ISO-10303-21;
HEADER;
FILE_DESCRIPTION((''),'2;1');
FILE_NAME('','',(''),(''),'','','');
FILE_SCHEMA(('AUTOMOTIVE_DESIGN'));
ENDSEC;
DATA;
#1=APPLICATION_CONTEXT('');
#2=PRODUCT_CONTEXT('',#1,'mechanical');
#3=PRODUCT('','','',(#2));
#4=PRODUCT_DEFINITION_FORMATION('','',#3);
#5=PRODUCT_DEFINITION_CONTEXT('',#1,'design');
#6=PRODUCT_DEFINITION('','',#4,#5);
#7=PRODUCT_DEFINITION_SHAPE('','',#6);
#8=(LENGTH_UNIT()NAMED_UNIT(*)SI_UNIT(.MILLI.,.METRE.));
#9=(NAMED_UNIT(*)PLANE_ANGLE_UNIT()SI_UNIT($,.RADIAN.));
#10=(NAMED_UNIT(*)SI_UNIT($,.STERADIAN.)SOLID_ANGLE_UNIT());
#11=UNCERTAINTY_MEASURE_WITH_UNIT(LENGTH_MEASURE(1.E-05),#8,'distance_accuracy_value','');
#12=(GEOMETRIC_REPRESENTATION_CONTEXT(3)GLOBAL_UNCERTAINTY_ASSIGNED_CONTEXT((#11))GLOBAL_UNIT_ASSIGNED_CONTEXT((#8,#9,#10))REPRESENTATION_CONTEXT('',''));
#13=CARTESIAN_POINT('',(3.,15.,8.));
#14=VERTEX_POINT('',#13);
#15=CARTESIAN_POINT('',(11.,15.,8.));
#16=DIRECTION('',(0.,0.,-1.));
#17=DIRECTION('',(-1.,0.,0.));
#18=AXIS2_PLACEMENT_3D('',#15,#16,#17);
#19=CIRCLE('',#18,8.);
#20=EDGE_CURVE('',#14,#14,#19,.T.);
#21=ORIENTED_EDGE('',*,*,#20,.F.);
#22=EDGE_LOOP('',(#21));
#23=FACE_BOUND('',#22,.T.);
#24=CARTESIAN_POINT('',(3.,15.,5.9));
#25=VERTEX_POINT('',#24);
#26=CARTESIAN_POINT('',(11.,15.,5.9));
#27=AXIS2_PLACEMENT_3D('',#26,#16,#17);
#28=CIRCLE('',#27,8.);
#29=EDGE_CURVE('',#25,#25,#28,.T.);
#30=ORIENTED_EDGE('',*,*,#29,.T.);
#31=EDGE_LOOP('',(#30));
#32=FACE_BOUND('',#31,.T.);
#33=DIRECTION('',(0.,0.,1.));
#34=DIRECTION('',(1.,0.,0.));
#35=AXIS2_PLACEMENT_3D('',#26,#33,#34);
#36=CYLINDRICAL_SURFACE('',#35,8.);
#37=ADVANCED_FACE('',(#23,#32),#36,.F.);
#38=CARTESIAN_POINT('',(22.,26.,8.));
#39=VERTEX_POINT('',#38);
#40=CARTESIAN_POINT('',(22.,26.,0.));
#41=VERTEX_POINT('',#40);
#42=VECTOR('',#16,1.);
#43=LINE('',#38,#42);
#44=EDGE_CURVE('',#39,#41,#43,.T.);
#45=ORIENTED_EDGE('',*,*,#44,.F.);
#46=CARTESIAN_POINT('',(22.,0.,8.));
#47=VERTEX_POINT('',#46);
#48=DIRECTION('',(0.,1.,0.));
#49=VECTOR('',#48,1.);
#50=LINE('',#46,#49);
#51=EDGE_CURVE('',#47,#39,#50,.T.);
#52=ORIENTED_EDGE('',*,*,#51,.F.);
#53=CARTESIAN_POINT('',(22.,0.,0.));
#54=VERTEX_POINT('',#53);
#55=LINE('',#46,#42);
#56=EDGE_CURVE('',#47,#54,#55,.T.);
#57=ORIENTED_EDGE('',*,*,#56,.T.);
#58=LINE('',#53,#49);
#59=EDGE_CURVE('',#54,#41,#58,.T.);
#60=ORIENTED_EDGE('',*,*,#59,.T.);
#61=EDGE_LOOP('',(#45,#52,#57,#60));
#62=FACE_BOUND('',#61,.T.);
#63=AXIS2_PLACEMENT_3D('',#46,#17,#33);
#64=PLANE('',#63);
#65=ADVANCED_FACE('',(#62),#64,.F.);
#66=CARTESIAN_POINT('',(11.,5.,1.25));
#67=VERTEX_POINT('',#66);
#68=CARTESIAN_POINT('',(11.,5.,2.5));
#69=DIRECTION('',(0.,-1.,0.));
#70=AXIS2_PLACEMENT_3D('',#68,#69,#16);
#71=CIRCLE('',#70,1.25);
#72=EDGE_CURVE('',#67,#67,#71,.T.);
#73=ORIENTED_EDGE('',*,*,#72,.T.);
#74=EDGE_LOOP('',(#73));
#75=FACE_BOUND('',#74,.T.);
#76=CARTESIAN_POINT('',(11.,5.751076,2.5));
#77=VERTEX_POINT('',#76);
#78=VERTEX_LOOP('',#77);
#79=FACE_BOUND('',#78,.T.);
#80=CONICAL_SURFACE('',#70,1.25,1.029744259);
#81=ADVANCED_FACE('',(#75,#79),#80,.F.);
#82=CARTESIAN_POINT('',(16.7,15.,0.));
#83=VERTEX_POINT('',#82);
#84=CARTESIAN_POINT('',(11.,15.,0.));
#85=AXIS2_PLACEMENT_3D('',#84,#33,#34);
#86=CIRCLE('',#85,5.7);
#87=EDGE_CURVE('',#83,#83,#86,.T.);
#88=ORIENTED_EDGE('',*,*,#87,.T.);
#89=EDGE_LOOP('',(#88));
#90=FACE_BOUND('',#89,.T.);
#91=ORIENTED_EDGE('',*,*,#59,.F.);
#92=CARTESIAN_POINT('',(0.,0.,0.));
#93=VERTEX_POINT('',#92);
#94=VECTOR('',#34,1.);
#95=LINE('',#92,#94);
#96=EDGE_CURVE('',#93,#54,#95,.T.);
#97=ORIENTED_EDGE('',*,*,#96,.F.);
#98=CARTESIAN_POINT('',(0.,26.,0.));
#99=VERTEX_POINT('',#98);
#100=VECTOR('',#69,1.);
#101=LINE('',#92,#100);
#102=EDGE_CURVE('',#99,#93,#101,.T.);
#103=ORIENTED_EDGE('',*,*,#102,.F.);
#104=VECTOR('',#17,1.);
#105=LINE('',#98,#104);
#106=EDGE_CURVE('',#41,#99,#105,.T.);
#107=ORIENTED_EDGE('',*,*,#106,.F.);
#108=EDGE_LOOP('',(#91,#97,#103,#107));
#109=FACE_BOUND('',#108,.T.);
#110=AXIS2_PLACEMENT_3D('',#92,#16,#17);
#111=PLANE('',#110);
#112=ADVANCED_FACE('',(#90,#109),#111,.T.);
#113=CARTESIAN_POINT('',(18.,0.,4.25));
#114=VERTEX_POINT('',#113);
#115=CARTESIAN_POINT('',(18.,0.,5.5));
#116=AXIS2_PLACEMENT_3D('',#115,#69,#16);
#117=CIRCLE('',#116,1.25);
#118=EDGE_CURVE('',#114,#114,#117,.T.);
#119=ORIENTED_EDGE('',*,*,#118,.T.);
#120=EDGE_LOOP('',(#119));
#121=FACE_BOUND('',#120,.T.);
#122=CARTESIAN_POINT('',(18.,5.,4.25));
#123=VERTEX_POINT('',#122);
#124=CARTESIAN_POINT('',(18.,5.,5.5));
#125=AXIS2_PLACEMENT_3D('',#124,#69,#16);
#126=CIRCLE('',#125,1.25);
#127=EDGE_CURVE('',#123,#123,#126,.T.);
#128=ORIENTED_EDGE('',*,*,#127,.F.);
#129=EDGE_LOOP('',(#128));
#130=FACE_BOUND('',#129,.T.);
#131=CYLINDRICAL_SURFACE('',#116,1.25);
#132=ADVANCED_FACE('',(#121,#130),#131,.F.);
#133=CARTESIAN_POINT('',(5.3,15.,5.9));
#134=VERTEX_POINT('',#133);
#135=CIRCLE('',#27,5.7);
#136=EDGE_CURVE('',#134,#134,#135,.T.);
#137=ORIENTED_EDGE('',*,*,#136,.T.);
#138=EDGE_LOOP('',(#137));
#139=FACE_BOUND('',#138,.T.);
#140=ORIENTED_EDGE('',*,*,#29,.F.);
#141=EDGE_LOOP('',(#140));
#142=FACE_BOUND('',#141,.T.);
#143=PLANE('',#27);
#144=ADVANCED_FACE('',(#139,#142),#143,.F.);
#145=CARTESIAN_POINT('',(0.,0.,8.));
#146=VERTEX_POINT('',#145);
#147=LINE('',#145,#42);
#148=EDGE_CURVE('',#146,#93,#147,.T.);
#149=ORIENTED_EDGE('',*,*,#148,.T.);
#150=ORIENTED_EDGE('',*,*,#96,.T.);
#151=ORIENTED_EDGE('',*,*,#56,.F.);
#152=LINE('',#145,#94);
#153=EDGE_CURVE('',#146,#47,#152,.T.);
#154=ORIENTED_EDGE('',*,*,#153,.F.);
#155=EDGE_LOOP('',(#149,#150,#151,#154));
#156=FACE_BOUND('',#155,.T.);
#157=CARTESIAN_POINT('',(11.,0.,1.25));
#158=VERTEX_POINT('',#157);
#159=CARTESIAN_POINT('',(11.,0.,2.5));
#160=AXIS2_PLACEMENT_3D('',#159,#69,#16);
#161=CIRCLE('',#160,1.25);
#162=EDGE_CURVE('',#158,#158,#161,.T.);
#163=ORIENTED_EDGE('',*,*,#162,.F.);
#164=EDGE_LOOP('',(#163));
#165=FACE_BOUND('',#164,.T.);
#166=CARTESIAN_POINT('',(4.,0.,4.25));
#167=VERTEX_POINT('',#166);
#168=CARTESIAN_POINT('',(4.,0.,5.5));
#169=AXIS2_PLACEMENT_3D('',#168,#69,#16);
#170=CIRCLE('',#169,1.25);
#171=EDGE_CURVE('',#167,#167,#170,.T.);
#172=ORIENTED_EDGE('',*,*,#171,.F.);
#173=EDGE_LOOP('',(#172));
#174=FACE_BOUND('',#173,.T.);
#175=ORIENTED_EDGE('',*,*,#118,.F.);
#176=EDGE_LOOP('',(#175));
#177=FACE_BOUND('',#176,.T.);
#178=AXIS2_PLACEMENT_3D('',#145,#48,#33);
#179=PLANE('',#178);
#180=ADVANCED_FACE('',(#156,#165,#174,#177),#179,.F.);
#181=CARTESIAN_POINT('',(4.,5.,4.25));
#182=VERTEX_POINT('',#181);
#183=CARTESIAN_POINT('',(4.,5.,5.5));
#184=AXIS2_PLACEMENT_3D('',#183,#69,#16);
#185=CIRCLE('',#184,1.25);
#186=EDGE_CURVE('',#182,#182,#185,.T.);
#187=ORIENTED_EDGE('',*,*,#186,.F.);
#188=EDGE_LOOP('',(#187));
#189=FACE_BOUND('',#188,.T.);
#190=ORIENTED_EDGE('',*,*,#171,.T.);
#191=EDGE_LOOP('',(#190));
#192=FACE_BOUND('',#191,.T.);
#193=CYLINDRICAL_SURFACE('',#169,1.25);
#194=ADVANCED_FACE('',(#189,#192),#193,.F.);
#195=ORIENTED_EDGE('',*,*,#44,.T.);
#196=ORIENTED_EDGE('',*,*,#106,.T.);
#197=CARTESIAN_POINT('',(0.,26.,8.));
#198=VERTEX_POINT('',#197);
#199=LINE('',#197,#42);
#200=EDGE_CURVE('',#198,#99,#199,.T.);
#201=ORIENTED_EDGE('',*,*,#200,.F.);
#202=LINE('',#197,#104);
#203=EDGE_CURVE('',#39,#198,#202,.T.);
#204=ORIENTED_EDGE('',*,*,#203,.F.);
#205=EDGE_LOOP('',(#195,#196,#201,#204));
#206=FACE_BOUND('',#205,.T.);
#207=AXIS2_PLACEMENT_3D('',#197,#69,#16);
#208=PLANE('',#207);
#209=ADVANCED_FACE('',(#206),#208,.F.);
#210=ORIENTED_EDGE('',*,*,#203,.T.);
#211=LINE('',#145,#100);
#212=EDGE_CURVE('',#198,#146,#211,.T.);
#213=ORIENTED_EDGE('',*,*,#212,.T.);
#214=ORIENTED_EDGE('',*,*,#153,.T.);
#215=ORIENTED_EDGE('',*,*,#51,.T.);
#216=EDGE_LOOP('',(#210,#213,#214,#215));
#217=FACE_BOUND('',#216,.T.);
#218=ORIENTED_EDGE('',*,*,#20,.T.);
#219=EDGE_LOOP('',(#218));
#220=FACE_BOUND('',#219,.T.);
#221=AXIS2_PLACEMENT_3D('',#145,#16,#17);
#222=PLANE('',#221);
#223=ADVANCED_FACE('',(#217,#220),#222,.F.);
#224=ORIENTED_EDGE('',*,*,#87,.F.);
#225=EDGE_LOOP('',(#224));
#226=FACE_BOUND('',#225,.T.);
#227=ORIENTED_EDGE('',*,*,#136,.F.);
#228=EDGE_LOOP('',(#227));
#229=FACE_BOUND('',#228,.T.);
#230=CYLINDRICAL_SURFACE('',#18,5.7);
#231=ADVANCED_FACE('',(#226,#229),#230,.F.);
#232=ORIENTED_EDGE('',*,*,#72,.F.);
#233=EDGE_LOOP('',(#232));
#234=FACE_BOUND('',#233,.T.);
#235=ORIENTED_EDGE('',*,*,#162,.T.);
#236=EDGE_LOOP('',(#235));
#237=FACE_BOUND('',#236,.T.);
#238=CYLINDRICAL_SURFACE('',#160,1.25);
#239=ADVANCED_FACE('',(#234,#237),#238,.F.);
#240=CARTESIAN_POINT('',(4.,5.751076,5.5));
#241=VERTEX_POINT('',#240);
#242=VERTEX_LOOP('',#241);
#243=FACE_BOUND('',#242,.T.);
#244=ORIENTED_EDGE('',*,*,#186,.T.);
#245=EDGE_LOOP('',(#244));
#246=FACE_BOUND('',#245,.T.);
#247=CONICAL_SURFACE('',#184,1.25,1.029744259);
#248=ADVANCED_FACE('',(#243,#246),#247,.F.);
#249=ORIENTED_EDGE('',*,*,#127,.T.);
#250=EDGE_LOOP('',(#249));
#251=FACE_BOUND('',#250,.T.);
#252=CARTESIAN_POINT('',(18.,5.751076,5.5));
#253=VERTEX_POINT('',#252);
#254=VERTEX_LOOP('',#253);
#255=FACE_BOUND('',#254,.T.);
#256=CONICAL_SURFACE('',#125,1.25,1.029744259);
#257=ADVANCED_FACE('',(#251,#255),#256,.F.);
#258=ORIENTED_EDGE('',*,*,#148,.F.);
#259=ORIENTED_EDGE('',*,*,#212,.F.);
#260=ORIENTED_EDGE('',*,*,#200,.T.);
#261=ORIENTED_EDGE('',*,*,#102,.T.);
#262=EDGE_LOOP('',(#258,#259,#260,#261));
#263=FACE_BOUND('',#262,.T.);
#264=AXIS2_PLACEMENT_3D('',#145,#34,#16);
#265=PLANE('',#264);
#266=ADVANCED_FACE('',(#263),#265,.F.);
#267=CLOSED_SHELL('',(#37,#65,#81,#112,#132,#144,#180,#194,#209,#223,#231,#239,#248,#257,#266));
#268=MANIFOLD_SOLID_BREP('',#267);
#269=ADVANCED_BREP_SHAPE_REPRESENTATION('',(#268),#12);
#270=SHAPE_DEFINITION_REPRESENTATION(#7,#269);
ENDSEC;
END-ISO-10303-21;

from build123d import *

# Parameters (mm, degrees)
SKETCH1_W                       = 22
SKETCH1_H                       = 26
SKETCH1_R                       = 5.7
BOSS_EXTRUDE1_DEPTH             = 8
SKETCH3_R                       = 8
CUT_EXTRUDE2_DEPTH              = 2.1
TAP_DRILL_FOR_M3X0_5_TAP1_D     = 2.5
TAP_DRILL_FOR_M3X0_5_TAP1_DEPTH = 5
TAP_DRILL_FOR_M3X0_5_TAP1_TIP   = 0.751075774


with BuildPart() as part:
    # Sketch1 → Boss-Extrude1 (new body)
    with BuildSketch(Plane.XY):
        with Locations((11, 13)):
            Rectangle(SKETCH1_W, SKETCH1_H)
        with Locations((11, 15)):
            Circle(SKETCH1_R, mode=Mode.SUBTRACT)
    extrude(amount=BOSS_EXTRUDE1_DEPTH)

    # Sketch3 → Cut-Extrude2 (cut)
    with BuildSketch(Plane(origin=(0, 0, 8), x_dir=(-1, 0, 0), z_dir=(0, 0, -1))):
        with Locations((-11, 15)):
            Circle(SKETCH3_R)
    extrude(amount=CUT_EXTRUDE2_DEPTH, mode=Mode.SUBTRACT)

    # Tap Drill for M3x0.5 Tap1
    with Locations(Plane(origin=(0, 0, 0), x_dir=(-1, 0, 0), z_dir=(0, -1, 0))):
        with Locations((-4, -5.5), (-18, -5.5), (-11, -2.5)):
            Hole(TAP_DRILL_FOR_M3X0_5_TAP1_D / 2, depth=TAP_DRILL_FOR_M3X0_5_TAP1_DEPTH)
            with Locations((0, 0, -(TAP_DRILL_FOR_M3X0_5_TAP1_DEPTH + TAP_DRILL_FOR_M3X0_5_TAP1_TIP / 2))):  # 118° drill point
                Cone(0, TAP_DRILL_FOR_M3X0_5_TAP1_D / 2, TAP_DRILL_FOR_M3X0_5_TAP1_TIP, mode=Mode.SUBTRACT)


solid = part.part
